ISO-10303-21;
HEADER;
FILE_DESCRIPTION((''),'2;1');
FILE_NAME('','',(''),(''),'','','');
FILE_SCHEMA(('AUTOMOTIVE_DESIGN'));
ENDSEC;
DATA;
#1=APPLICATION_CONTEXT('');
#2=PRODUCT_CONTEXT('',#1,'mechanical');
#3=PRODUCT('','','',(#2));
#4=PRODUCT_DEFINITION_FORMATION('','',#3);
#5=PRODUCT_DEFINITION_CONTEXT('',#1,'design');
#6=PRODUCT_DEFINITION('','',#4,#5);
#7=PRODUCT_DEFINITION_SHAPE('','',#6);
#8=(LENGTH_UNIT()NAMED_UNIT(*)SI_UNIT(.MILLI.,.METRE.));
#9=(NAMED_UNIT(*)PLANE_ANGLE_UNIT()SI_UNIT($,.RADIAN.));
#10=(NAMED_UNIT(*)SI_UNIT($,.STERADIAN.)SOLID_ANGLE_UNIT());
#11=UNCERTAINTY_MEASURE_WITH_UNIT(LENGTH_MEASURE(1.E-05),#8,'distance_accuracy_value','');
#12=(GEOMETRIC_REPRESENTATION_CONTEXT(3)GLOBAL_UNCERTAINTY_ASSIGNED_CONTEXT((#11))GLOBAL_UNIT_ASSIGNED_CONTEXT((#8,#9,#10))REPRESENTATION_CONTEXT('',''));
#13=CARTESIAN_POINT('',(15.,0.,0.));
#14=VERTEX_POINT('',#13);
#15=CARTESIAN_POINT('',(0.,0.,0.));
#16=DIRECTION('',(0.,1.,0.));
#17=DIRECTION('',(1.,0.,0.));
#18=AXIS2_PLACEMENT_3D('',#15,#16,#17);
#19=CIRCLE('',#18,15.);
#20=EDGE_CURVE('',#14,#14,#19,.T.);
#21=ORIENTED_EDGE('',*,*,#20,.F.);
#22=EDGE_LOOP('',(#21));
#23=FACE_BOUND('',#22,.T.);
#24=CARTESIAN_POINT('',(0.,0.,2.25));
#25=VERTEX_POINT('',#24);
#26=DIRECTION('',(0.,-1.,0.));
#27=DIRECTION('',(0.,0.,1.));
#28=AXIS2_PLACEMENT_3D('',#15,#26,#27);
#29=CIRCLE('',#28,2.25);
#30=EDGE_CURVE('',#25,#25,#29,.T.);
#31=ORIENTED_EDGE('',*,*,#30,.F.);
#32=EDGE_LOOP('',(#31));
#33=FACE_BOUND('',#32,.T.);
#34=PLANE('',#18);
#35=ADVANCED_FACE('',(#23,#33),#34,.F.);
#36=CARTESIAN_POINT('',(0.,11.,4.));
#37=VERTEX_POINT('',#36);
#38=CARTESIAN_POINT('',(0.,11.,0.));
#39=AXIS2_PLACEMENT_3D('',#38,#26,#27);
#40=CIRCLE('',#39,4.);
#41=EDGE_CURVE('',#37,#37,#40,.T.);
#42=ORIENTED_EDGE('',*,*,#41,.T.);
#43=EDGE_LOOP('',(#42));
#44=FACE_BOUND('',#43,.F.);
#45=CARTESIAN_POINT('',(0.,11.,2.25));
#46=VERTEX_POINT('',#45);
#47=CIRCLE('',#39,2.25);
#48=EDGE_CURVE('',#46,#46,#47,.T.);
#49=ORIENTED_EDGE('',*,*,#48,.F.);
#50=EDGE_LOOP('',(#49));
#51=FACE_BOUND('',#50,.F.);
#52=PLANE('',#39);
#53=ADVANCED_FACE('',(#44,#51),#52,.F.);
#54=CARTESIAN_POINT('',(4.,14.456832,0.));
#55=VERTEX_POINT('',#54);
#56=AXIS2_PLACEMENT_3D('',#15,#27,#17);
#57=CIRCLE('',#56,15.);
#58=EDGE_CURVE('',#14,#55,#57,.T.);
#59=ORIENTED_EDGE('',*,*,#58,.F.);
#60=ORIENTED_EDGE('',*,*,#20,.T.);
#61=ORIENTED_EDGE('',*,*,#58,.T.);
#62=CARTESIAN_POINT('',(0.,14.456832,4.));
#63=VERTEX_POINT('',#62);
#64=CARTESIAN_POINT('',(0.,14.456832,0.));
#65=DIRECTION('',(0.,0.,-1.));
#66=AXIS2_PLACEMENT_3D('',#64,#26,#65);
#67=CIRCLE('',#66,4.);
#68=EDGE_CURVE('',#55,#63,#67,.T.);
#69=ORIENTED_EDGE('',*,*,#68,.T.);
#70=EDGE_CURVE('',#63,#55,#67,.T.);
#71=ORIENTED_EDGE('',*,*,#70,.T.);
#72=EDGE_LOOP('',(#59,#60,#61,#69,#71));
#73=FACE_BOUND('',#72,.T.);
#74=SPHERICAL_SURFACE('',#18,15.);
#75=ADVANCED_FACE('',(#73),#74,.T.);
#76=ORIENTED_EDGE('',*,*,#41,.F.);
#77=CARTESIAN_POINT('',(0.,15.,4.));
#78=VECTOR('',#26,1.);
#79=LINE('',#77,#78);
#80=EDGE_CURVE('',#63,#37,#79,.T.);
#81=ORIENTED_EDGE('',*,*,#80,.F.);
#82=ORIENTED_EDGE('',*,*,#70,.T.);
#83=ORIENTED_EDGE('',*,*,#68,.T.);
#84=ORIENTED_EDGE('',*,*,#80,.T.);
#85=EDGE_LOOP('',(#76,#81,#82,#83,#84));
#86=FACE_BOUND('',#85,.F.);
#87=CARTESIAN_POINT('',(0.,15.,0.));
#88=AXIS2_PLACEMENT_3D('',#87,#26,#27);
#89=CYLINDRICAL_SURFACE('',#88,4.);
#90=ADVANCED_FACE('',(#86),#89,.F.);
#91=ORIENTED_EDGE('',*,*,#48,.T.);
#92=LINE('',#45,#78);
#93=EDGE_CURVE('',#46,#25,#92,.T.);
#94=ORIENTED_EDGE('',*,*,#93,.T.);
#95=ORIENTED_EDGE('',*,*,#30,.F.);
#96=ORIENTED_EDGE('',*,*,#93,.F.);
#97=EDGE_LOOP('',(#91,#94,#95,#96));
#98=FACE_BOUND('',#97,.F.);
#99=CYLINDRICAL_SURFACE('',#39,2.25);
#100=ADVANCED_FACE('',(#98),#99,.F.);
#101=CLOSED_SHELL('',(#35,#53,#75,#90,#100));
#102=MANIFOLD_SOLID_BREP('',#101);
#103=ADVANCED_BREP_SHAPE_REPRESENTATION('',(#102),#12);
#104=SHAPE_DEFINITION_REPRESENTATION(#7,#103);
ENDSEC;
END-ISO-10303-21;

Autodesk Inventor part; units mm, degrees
ref_plane "YZ Plane" through (0, 0, 0) normal (1, 0, 0) x (0, 1, 0)
ref_plane "XY Plane" through (0, 0, 0) normal (0, 0, 1) x (1, 0, 0)
sketch "Sketch1" plane through (0, 0, 0) normal (0, 0, 1) x (1, 0, 0)
  line L0 (0, 0) -> (0, 15)
  line L1 (0, 0) -> (15, 0)
  arc A0 (15, 0) -> (0, 15) centre (0, 0) ccw
  line L2 (0, -3.6213) -> (0, 21.7279) projected
  dimension "d2" = 15
revolve "Revolution1" add sketch "Sketch1" angle 360 about axis through (0, -10, 0) along (0, 1, 0)
ref_plane "Work Plane1" through (0, 15, 0) normal (0, 1, 0) x (-1, 0, 0)
sketch "Sketch2" plane through (0, 15, 0) normal (0, 1, 0) x (-1, 0, 0)
  point P0 (0, 0)
  point P1 (0, 0)
hole "Hole1" at (0, 15, 0) direction (0, -1, 0) diameter 4.5 end through all counterbore diameter 8 counterbore depth 4 clearance for "Socket Head Cap Screw" size "M4" standard "Ansi Metric M Profile"
shell "Shell1" [suppressed]
sketch "Sketch3" plane through (0, 0, 0) normal (0, -1, 0) x (1, 0, 0)
  circle A0 centre (0, 0) radius 2.25 projected
extrude "Extrusion1" [suppressed]
properties part number "Ball_Upper Half" material "Nylon 6/6"
